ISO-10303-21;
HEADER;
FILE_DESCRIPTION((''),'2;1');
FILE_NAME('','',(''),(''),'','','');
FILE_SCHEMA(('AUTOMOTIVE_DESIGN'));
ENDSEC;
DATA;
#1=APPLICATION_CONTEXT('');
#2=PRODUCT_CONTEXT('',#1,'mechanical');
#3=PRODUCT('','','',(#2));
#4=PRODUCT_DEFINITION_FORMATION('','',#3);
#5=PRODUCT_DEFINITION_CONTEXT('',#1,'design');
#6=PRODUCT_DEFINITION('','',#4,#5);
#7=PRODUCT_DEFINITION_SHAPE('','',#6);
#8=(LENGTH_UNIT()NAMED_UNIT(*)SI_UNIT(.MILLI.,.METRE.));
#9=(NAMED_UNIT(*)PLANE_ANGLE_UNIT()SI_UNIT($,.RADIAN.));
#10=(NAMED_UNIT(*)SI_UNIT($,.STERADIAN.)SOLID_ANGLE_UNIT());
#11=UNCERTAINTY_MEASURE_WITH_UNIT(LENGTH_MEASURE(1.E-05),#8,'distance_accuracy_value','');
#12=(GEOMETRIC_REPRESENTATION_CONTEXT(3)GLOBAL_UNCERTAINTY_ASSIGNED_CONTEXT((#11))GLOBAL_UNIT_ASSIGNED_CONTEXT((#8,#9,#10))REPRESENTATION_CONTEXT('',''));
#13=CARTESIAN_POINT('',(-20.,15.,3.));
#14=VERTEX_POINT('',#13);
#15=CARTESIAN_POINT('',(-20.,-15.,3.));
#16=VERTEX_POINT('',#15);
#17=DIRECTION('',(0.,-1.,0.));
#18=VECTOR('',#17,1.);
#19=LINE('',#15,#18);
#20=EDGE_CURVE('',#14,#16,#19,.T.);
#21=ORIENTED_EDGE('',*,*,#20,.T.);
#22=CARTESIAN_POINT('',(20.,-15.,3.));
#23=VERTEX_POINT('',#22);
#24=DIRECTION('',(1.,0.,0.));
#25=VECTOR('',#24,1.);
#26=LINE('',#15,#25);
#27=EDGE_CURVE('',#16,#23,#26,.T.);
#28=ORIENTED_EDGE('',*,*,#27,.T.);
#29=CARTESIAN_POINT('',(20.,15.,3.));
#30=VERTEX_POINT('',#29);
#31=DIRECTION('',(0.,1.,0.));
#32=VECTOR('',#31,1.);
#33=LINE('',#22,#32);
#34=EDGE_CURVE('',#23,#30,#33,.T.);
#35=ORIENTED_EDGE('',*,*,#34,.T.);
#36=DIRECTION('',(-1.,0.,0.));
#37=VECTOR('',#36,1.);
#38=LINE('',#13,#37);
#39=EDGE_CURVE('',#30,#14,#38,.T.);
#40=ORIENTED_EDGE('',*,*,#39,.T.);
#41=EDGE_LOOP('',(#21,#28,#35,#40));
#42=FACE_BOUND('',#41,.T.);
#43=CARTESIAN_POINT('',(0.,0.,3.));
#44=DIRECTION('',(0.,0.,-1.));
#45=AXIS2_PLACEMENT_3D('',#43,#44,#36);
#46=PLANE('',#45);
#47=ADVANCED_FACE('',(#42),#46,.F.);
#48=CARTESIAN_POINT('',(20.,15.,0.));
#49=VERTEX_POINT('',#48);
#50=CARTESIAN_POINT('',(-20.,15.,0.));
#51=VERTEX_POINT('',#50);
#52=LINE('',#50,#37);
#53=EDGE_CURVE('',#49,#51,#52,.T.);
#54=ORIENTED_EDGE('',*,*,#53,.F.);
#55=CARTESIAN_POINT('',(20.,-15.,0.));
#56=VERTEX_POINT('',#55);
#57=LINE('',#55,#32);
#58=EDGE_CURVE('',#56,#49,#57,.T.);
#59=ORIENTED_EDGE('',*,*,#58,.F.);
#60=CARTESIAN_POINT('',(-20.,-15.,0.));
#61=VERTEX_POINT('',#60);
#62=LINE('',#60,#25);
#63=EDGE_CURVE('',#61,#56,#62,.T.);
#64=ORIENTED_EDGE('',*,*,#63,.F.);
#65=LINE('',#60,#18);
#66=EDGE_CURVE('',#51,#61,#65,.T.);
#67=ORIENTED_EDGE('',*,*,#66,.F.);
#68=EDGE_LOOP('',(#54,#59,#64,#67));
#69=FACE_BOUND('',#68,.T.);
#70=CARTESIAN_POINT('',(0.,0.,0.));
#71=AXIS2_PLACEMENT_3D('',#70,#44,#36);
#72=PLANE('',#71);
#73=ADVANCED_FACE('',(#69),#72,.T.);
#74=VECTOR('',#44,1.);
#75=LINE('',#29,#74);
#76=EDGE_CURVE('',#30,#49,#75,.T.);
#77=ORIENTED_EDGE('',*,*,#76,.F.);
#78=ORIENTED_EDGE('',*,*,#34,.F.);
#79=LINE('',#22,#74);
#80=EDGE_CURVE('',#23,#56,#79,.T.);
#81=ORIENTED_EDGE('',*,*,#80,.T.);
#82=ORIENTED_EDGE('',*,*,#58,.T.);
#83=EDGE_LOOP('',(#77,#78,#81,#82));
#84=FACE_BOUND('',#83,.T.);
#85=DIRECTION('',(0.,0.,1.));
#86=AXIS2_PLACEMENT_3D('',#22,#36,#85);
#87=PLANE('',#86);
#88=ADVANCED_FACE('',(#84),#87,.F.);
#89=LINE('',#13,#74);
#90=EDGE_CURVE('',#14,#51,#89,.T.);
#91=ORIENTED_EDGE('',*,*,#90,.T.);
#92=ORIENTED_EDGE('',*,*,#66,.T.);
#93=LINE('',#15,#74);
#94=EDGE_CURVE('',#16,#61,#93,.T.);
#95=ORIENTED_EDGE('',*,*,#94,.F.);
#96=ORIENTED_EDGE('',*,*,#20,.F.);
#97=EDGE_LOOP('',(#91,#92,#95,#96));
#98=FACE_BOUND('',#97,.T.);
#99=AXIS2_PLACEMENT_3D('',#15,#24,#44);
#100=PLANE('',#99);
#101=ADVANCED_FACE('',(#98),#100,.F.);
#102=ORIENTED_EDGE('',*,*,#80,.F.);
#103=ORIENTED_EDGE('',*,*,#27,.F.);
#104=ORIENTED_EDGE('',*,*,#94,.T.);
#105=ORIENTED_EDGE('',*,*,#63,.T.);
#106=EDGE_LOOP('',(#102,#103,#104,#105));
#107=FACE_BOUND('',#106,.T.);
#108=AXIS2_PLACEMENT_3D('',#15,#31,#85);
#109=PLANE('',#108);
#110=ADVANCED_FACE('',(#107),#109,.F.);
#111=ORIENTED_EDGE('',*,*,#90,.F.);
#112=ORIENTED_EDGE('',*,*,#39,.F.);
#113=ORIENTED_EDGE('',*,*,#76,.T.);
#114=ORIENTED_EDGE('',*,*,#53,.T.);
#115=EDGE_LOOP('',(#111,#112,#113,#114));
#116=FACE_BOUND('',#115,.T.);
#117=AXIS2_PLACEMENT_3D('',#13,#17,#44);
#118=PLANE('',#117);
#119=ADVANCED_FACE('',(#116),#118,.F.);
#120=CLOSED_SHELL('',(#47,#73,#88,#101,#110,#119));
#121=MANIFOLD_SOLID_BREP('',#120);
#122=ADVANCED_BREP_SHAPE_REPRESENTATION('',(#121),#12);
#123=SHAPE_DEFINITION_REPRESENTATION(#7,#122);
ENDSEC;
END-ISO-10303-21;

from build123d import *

# Parameters (mm, degrees)
SKETCH_1_W      = 40
SKETCH_1_H      = 30
EXTRUDE_1_DEPTH = 3


with BuildPart() as part:
    # 草图1 → 凸台-拉伸1 (new body)
    with BuildSketch(Plane.XY):
        Rectangle(SKETCH_1_W, SKETCH_1_H)
    extrude(amount=EXTRUDE_1_DEPTH)


solid = part.part
